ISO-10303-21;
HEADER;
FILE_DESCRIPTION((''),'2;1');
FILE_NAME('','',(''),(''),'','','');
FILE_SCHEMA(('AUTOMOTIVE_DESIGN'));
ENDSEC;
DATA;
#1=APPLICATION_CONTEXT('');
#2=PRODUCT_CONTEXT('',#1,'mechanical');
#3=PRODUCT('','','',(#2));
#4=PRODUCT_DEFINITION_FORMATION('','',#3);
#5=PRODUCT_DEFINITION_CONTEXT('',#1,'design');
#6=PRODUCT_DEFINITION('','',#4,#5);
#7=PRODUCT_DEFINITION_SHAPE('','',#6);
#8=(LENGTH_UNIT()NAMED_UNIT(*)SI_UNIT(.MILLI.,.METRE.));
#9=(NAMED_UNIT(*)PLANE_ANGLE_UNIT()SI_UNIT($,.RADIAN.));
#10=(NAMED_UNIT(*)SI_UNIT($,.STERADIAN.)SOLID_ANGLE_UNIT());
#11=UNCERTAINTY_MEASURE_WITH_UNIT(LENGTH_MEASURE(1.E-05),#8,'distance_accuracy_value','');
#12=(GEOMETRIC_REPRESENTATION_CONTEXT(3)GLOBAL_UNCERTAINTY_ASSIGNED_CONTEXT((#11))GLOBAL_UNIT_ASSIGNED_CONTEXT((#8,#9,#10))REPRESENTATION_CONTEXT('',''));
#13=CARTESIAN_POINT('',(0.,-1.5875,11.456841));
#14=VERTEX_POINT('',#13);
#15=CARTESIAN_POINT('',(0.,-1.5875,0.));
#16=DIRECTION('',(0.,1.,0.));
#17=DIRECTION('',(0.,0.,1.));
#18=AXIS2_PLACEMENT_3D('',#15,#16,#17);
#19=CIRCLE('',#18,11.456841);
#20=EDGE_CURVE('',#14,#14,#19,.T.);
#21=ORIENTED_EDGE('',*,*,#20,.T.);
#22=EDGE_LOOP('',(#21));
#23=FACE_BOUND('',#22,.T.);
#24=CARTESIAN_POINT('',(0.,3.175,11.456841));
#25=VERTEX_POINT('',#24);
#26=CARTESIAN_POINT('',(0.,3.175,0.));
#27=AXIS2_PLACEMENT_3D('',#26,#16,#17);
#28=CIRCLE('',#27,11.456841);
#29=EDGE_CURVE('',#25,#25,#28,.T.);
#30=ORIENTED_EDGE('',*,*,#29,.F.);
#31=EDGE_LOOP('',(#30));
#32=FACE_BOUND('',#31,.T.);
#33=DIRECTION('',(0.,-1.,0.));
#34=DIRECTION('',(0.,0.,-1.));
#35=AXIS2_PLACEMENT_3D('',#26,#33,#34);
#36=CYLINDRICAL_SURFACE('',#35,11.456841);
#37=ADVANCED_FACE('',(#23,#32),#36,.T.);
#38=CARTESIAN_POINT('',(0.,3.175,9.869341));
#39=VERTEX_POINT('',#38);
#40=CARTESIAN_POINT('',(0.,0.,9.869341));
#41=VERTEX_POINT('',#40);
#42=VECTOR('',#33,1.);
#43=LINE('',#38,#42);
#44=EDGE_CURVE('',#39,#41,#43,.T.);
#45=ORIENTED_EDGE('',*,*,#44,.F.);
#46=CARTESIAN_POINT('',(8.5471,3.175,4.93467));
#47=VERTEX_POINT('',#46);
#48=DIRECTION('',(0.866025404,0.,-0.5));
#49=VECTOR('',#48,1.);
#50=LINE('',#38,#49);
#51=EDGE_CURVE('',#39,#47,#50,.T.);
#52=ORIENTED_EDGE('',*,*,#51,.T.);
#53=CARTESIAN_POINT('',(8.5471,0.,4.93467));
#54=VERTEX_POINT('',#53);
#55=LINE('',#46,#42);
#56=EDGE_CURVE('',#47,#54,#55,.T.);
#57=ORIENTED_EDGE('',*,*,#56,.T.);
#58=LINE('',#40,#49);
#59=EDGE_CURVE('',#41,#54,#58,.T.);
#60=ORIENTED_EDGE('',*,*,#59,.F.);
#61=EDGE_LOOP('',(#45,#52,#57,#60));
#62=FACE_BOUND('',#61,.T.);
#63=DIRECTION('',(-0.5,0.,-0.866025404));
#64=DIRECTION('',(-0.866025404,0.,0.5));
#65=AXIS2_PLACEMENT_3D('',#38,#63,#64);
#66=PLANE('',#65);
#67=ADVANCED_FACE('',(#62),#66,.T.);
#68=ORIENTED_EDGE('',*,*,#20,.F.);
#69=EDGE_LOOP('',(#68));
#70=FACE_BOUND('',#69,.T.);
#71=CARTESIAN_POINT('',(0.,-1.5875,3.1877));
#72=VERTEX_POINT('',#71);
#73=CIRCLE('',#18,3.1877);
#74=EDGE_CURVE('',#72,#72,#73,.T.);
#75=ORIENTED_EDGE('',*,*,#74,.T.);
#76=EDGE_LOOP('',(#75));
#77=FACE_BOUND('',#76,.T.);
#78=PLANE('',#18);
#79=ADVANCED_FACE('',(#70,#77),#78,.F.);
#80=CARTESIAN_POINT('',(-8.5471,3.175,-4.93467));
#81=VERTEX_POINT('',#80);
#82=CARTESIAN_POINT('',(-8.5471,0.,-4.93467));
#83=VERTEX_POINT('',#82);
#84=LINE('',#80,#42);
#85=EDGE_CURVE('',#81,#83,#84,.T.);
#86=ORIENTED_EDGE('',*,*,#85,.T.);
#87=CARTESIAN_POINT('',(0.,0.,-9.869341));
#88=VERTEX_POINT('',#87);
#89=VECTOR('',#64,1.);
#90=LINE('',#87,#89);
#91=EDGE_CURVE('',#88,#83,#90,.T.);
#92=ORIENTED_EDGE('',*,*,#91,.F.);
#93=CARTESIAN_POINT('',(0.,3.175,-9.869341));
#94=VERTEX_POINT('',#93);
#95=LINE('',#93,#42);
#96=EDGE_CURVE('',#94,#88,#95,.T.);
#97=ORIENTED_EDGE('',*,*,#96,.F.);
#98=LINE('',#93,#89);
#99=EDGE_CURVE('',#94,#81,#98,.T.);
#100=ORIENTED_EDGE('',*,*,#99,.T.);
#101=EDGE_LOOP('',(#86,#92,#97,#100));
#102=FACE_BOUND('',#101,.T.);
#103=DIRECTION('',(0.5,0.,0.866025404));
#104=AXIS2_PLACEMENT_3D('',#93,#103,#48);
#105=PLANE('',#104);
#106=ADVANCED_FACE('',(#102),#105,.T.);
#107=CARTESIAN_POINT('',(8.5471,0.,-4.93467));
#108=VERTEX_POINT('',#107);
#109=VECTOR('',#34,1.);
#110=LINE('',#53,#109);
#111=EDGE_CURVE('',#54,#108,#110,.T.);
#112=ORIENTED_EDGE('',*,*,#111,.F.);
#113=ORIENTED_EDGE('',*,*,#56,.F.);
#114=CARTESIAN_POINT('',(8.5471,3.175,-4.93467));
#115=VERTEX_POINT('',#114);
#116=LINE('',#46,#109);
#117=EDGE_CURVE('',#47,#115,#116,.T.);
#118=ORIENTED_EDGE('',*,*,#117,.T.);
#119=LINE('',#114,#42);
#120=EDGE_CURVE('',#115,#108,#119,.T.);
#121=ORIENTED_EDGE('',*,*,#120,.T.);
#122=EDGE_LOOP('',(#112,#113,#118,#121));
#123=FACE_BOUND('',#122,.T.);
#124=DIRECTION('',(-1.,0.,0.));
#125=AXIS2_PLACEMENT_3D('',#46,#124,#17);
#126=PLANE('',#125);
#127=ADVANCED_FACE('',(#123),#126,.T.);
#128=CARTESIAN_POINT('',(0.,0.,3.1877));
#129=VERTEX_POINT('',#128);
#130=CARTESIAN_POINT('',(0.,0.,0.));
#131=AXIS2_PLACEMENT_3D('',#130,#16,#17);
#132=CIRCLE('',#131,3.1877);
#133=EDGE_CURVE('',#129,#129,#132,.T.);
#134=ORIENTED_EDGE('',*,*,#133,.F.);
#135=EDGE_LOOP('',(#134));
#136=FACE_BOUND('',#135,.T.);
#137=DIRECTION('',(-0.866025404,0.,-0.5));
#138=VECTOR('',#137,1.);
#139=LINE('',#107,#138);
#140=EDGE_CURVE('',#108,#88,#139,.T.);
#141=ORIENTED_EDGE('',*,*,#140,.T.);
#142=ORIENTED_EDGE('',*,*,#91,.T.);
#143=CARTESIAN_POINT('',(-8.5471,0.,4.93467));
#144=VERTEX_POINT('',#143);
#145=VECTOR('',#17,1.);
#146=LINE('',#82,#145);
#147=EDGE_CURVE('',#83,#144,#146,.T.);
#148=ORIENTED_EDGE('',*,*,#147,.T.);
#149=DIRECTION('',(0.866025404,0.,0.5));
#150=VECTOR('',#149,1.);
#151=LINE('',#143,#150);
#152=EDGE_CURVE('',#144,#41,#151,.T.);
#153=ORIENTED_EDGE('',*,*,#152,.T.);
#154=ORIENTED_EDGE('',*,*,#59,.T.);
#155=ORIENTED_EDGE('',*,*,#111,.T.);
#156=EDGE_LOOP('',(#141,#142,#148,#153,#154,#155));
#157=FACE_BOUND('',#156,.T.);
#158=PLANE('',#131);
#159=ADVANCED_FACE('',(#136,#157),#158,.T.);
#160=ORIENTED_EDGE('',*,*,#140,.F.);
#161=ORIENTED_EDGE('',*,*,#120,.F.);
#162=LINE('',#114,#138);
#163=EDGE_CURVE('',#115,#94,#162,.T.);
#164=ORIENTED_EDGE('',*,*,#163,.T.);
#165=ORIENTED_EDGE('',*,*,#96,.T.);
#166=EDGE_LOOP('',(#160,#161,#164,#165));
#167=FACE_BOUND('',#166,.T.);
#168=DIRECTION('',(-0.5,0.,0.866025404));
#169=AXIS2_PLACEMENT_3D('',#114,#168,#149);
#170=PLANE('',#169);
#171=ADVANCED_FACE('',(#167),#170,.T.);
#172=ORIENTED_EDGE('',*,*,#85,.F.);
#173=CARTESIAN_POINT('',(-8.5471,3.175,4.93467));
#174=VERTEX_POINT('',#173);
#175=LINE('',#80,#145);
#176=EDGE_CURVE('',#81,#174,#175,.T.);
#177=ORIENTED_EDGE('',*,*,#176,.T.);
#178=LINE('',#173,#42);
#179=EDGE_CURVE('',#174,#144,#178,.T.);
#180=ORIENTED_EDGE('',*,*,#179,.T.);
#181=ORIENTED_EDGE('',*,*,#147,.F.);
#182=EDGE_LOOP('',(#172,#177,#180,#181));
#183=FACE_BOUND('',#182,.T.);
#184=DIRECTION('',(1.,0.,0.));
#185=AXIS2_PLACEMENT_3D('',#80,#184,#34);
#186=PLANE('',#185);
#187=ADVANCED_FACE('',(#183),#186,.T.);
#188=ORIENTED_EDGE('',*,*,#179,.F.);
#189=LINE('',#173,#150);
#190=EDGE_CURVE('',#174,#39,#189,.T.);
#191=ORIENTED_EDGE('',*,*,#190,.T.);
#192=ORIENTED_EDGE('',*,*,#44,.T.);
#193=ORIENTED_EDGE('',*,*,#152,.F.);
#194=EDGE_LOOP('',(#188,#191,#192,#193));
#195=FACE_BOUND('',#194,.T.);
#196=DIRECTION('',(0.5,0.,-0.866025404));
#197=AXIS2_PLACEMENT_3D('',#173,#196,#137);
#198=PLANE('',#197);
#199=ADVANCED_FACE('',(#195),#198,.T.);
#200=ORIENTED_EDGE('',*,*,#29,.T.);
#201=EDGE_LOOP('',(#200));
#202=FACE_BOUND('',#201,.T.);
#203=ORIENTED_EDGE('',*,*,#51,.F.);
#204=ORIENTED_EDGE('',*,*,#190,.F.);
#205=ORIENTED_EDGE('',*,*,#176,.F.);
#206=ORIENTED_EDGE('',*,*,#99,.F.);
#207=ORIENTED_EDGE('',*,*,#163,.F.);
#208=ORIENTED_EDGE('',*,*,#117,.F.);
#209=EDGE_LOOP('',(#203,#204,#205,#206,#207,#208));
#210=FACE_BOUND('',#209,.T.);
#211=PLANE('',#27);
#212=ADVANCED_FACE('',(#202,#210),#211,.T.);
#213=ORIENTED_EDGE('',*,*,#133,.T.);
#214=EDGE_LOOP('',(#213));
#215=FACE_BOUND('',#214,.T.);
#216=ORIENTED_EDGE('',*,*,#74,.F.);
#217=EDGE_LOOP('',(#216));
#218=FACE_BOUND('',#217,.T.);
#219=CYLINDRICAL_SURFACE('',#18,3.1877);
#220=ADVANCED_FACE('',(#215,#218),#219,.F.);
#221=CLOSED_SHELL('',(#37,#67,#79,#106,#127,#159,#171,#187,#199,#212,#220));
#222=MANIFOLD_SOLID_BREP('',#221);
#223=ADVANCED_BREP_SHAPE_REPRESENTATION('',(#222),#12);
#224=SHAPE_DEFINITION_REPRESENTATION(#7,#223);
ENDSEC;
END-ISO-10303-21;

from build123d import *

# Parameters (mm, degrees)
SKETCH1_R           = 11.456840972
BOSS_EXTRUDE1_DEPTH = 3.175
BOSS_EXTRUDE2_START = -1.5875
SKETCH2_R           = 11.456840972
SKETCH2_R_2         = 3.1877
BOSS_EXTRUDE2_DEPTH = 1.5875


with BuildPart() as part:
    # Sketch1 → Boss-Extrude1 (new body)
    with BuildSketch(Plane(origin=(0, 0, 0), x_dir=(1, 0, 0), z_dir=(0, 1, 0))):
        Circle(SKETCH1_R)
        Polygon((8.5471, 4.934670486), (0, 9.869340972), (-8.5471, 4.934670486), (-8.5471, -4.934670486), (0, -9.869340972), (8.5471, -4.934670486), align=None, mode=Mode.SUBTRACT)
    extrude(amount=BOSS_EXTRUDE1_DEPTH)

    # Sketch2 → Boss-Extrude2 (add)
    with BuildSketch(Plane(origin=(0, 0, 0), x_dir=(1, 0, 0), z_dir=(0, 1, 0)).offset(BOSS_EXTRUDE2_START)):
        Circle(SKETCH2_R)
        Circle(SKETCH2_R_2, mode=Mode.SUBTRACT)
    extrude(amount=BOSS_EXTRUDE2_DEPTH)


solid = part.part
